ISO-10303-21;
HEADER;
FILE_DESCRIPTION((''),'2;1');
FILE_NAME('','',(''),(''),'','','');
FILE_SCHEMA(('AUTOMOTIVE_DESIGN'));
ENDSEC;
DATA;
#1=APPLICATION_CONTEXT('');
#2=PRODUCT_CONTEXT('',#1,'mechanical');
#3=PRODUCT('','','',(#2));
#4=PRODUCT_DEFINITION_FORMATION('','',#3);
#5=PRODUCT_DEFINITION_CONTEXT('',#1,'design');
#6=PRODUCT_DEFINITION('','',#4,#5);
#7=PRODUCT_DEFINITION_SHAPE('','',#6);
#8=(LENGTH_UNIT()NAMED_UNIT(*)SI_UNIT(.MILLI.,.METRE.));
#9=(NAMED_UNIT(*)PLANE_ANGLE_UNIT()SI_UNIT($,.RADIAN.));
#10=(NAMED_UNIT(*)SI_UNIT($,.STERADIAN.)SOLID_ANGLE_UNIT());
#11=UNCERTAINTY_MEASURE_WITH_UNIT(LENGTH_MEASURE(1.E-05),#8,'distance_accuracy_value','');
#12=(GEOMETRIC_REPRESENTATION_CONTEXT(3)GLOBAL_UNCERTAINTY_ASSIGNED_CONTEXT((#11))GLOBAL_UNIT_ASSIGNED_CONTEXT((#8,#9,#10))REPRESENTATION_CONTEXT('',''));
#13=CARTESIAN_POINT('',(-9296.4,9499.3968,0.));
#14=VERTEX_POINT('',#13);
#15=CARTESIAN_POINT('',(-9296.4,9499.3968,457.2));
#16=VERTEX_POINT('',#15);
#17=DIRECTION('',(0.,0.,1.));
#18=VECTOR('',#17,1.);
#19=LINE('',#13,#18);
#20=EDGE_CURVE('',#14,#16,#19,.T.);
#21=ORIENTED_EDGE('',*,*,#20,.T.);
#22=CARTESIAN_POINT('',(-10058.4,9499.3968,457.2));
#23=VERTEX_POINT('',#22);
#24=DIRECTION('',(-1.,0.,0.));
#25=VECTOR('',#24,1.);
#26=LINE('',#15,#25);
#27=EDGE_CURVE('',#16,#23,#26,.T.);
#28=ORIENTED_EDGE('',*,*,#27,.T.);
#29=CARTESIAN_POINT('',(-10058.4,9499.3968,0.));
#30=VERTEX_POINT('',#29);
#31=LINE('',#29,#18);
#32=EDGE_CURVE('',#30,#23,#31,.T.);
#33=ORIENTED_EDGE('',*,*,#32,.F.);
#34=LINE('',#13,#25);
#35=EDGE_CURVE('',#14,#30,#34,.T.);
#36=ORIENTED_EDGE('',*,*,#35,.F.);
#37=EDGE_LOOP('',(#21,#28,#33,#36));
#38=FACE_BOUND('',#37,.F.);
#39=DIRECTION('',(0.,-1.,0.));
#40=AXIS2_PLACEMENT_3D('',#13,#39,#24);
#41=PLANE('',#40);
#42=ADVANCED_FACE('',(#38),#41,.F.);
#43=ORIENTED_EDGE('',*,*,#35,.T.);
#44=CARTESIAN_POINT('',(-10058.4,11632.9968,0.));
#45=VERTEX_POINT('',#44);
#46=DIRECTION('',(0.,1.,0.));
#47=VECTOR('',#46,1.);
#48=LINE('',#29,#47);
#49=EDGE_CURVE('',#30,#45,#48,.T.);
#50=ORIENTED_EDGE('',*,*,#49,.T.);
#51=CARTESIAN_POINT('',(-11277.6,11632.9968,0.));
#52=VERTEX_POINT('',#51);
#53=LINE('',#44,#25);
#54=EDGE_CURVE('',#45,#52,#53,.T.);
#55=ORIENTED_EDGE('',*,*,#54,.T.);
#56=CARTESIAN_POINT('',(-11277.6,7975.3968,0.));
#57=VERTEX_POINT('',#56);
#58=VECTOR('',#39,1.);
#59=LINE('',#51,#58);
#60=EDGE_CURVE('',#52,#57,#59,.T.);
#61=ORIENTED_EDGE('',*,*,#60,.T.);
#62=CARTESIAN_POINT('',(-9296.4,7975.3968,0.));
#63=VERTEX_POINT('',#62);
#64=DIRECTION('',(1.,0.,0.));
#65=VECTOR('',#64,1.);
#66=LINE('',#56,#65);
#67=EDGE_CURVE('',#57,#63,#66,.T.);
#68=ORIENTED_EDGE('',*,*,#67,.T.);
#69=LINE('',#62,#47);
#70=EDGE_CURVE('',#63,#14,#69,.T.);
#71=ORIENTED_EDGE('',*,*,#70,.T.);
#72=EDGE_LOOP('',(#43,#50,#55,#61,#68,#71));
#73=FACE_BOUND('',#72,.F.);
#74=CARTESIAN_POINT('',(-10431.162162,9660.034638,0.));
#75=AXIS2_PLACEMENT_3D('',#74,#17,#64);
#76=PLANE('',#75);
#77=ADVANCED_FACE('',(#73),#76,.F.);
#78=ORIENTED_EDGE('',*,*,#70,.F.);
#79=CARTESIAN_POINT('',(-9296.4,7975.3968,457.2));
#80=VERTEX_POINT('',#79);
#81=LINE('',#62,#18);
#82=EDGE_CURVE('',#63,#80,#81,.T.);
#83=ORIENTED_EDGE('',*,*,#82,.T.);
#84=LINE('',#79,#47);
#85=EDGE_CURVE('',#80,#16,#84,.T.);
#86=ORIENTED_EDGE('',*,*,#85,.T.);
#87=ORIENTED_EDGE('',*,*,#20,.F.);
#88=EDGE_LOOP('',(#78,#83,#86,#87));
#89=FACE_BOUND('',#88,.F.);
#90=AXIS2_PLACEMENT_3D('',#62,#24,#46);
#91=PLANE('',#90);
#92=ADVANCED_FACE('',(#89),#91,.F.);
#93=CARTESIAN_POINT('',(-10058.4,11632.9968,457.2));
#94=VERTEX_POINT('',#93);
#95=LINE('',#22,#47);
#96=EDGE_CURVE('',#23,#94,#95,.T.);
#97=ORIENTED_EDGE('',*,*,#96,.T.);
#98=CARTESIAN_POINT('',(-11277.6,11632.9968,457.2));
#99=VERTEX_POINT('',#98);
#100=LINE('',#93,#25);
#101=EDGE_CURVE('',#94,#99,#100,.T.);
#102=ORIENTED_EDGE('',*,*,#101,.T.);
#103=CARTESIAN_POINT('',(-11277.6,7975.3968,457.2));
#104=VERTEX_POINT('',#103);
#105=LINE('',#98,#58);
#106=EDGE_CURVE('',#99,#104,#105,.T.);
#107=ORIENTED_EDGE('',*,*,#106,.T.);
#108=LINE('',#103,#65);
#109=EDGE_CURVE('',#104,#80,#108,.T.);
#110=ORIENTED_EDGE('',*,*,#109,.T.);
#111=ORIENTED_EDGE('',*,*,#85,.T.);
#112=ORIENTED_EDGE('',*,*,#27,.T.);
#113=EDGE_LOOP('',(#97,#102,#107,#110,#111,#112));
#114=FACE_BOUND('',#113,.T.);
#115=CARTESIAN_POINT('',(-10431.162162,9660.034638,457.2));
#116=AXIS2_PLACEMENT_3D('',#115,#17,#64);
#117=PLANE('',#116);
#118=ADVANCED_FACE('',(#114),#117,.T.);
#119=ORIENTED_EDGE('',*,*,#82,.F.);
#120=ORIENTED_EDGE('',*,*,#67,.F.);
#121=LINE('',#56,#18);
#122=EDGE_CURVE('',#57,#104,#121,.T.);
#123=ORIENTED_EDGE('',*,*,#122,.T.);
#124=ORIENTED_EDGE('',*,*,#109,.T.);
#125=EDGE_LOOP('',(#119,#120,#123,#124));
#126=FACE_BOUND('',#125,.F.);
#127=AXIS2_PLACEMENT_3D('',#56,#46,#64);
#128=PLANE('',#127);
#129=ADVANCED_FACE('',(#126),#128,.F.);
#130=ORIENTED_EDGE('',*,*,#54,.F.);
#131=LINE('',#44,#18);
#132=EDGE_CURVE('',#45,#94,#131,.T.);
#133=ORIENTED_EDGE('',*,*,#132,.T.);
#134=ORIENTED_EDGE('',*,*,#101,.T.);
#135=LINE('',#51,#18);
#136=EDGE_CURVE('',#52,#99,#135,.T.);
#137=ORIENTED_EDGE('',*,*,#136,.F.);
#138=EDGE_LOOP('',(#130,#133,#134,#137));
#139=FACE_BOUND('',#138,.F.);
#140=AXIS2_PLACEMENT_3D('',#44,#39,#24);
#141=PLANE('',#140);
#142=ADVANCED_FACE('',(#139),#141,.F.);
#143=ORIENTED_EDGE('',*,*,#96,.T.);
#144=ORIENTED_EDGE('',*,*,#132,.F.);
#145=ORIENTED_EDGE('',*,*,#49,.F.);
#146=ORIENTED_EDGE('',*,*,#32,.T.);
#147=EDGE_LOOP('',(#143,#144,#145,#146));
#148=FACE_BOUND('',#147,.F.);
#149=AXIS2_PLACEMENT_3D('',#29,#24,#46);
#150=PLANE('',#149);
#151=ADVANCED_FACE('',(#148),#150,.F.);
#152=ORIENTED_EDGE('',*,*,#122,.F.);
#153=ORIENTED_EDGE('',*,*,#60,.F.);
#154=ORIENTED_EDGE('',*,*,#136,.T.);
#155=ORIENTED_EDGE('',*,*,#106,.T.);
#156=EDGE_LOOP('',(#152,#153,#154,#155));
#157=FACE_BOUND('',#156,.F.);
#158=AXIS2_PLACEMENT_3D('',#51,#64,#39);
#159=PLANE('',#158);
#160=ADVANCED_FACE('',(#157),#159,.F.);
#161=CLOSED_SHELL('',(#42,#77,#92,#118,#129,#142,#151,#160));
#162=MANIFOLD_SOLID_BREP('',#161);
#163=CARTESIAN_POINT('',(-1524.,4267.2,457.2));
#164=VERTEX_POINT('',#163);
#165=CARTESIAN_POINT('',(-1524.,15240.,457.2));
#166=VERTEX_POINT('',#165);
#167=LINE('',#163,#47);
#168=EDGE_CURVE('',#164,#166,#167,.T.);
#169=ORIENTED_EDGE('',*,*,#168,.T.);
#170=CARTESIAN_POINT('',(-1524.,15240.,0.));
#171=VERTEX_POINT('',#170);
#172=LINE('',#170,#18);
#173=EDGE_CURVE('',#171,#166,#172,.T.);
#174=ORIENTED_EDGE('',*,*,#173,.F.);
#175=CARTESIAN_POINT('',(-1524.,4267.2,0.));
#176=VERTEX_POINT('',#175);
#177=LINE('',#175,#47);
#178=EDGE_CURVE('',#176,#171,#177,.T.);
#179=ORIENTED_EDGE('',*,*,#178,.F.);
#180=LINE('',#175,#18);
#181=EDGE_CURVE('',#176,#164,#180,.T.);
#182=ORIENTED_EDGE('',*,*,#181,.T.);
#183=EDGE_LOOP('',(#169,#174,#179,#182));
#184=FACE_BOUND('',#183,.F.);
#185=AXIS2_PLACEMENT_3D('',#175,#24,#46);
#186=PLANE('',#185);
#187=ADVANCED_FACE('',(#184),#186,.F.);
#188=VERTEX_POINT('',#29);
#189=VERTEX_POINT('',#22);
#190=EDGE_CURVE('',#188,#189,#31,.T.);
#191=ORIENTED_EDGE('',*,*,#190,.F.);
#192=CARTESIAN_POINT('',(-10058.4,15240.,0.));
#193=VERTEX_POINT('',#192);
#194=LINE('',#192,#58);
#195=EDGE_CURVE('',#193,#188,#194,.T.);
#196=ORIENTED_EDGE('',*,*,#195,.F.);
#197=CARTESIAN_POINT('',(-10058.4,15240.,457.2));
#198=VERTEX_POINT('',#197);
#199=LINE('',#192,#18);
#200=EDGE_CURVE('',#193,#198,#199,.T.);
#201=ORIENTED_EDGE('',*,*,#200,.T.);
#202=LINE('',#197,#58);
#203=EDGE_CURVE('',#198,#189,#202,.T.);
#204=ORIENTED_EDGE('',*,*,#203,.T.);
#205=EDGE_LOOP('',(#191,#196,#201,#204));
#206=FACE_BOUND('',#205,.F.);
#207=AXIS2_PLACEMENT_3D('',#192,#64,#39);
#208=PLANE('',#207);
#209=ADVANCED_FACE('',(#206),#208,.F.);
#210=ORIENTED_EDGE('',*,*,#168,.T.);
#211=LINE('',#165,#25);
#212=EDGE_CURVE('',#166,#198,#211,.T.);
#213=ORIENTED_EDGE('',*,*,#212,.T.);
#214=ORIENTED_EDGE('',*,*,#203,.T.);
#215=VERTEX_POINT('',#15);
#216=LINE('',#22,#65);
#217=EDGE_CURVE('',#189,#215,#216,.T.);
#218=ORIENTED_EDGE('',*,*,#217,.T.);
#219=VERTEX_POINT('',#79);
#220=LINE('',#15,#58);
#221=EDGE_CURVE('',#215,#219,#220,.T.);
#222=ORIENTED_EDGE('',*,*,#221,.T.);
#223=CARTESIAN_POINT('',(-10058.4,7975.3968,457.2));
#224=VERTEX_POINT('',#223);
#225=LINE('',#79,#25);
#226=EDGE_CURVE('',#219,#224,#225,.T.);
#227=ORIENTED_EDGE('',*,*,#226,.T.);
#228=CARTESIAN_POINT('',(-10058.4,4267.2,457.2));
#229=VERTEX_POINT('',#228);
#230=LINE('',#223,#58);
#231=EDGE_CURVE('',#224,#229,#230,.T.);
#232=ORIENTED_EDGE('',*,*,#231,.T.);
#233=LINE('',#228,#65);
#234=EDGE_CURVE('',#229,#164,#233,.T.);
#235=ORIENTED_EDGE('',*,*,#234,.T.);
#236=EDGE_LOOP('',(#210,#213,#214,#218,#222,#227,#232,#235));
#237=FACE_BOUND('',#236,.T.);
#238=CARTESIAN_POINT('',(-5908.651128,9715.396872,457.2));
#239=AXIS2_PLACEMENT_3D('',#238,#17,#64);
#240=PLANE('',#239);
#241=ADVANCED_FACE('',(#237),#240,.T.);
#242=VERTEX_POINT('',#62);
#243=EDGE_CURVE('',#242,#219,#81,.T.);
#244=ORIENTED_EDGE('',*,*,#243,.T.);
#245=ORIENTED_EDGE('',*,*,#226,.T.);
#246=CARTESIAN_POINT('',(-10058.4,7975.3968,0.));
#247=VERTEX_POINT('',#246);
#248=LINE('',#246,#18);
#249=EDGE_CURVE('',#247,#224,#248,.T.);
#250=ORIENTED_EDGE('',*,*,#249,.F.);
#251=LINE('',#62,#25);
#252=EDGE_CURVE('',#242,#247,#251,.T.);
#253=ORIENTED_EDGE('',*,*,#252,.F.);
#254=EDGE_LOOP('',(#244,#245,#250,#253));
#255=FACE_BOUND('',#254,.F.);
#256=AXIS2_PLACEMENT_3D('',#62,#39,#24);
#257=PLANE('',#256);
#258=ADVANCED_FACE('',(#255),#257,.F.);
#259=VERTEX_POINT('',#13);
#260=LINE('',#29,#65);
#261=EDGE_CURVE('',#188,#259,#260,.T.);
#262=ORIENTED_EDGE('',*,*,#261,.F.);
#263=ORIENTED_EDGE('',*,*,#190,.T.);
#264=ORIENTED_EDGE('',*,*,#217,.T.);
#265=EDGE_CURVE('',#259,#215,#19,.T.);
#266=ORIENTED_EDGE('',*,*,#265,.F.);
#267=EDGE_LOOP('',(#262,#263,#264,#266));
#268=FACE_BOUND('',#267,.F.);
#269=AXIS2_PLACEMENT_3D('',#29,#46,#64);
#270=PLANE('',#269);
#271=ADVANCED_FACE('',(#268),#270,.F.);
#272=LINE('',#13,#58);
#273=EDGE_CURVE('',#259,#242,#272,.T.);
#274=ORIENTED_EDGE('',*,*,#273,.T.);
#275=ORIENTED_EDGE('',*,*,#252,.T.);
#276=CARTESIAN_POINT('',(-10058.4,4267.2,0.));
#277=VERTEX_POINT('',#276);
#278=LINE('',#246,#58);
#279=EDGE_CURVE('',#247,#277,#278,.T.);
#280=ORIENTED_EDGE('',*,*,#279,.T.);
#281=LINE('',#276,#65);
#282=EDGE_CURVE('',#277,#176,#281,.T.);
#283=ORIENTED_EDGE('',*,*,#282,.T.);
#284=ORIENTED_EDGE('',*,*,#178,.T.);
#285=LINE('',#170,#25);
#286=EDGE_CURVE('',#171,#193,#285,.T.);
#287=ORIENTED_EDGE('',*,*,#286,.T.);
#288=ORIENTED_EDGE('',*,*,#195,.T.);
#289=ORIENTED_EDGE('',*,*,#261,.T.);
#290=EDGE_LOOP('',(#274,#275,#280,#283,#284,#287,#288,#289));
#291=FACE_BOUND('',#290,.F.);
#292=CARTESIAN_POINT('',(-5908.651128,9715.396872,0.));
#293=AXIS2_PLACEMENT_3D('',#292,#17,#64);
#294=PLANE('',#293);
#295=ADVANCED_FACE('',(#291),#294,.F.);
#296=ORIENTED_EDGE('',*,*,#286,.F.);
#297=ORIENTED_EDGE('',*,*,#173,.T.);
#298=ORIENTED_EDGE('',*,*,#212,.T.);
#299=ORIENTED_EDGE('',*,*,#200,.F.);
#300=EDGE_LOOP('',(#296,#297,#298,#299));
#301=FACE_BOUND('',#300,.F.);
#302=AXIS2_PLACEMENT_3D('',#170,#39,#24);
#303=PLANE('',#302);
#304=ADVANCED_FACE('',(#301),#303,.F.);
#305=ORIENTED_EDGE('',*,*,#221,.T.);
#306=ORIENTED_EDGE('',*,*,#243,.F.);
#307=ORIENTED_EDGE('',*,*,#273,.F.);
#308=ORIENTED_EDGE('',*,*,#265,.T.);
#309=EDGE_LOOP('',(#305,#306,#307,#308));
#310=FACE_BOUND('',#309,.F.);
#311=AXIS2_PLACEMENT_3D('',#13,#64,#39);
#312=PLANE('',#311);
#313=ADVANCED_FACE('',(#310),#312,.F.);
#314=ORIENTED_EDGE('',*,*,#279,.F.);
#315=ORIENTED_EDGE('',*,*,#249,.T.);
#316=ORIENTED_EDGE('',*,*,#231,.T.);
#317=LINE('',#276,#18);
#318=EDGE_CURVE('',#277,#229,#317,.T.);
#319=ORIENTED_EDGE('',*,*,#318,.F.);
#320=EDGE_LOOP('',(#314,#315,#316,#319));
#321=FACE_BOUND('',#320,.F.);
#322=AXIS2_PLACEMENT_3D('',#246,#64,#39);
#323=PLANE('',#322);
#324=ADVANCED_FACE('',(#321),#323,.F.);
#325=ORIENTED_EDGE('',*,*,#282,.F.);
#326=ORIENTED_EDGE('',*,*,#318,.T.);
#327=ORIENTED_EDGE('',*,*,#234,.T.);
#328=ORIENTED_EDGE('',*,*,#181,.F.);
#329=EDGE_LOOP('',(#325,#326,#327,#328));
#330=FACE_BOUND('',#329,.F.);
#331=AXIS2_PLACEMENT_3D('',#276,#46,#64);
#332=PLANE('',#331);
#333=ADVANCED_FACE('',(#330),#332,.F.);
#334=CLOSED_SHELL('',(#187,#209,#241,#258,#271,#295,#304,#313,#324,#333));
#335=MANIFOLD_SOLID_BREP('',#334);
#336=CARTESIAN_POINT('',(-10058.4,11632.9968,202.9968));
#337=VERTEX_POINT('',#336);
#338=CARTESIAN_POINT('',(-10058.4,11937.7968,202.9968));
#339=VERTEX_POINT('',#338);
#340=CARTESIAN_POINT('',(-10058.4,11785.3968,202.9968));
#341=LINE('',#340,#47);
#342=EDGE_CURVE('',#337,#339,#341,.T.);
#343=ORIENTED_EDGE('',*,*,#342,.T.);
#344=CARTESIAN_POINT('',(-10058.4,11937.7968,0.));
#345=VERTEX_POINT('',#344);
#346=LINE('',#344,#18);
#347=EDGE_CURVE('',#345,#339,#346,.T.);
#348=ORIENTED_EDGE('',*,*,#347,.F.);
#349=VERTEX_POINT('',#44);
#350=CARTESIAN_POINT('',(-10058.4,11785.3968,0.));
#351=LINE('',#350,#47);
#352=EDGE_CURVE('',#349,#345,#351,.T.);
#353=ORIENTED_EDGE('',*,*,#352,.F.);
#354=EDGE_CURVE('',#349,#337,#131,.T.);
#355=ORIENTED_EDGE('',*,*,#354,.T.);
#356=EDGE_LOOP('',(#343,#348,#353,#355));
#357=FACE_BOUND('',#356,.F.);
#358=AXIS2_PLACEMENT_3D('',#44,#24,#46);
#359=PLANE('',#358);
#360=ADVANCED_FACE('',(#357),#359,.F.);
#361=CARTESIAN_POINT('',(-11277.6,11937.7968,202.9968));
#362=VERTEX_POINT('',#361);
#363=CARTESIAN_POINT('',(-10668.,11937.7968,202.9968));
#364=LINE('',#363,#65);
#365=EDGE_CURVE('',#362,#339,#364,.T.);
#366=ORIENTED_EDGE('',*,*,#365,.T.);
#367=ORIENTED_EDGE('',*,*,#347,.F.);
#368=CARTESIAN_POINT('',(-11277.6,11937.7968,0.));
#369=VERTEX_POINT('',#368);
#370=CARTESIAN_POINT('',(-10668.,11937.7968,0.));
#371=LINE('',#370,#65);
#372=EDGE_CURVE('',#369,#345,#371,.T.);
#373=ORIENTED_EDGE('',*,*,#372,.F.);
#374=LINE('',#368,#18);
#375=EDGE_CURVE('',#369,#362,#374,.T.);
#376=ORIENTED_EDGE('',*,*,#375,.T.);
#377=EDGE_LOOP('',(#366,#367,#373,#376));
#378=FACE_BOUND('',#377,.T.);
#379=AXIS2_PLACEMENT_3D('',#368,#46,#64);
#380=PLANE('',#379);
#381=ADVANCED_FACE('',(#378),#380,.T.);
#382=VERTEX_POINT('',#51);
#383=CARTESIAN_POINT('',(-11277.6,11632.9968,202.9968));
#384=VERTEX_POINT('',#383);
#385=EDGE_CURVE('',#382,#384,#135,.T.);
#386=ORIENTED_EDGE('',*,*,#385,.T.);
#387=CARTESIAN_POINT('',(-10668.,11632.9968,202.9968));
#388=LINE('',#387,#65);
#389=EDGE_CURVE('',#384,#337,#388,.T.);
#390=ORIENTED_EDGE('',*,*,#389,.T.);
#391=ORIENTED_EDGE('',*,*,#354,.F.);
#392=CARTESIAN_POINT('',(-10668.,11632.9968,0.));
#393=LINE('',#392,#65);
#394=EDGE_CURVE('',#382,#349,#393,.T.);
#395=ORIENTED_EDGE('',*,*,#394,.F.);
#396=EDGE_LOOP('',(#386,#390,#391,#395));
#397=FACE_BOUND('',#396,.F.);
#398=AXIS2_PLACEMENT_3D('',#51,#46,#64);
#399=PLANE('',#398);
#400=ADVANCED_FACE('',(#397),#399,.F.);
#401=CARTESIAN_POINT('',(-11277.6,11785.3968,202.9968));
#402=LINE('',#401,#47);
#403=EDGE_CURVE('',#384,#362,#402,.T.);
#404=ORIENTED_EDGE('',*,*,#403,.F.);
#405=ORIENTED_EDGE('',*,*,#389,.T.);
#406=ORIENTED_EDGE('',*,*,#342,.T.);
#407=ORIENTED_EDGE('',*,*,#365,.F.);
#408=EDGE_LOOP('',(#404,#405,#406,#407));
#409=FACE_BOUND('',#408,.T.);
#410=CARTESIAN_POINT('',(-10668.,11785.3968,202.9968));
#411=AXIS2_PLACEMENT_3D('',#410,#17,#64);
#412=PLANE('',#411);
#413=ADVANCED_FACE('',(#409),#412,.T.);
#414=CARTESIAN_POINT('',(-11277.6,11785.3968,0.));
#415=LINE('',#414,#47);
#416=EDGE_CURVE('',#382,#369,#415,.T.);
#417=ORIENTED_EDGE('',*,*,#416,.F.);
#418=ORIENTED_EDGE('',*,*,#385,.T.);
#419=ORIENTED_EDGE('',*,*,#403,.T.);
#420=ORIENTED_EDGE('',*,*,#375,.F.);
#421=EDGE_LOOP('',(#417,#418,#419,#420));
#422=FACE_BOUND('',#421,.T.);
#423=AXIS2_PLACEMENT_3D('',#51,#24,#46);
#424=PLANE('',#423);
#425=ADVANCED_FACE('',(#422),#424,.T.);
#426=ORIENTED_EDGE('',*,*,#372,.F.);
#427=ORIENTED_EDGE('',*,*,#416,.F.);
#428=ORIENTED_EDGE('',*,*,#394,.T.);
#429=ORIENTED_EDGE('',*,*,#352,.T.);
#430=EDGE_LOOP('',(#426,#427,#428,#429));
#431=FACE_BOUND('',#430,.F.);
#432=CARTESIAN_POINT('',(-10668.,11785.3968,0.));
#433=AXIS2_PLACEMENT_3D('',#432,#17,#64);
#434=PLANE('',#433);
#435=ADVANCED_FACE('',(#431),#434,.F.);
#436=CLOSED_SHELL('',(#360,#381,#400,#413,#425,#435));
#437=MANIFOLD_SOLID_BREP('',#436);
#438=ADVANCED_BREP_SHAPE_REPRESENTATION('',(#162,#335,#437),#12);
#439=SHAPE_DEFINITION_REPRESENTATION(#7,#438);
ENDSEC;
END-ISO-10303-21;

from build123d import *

# Parameters (mm, degrees)
F1_DEPTH = 457.2
F2_DEPTH = 457.2
F0_W     = 1219.2
F0_H     = 304.8
F3_DEPTH = 202.9968


with BuildPart() as f1:
    # F0 (on Top) → F1 (new body)
    with BuildSketch(Plane.XY):
        Polygon((-10058.4, 4267.2), (-1524, 4267.2), (-1524, 15240), (-10058.4, 15240), (-10058.4, 11937.7968), (-10058.4, 11632.9968), (-10058.4, 9499.3968), (-9296.4, 9499.3968), (-9296.4, 7975.3968), (-10058.4, 7975.3968), align=None)
    extrude(amount=F1_DEPTH)


with BuildPart() as f2:
    # F0 (on Top) → F2 (new body)
    with BuildSketch(Plane.XY):
        Polygon((-11277.6, 7975.3968), (-10058.4, 7975.3968), (-9296.4, 7975.3968), (-9296.4, 9499.3968), (-10058.4, 9499.3968), (-10058.4, 11632.9968), (-11277.6, 11632.9968), align=None)
    extrude(amount=F2_DEPTH)


with BuildPart() as f3:
    # F0 (on Top) → F3 (new body)
    with BuildSketch(Plane.XY):
        with Locations((-10668, 11785.3968)):
            Rectangle(F0_W, F0_H)
    extrude(amount=F3_DEPTH)


solid = Compound([f1.part, f2.part, f3.part])
